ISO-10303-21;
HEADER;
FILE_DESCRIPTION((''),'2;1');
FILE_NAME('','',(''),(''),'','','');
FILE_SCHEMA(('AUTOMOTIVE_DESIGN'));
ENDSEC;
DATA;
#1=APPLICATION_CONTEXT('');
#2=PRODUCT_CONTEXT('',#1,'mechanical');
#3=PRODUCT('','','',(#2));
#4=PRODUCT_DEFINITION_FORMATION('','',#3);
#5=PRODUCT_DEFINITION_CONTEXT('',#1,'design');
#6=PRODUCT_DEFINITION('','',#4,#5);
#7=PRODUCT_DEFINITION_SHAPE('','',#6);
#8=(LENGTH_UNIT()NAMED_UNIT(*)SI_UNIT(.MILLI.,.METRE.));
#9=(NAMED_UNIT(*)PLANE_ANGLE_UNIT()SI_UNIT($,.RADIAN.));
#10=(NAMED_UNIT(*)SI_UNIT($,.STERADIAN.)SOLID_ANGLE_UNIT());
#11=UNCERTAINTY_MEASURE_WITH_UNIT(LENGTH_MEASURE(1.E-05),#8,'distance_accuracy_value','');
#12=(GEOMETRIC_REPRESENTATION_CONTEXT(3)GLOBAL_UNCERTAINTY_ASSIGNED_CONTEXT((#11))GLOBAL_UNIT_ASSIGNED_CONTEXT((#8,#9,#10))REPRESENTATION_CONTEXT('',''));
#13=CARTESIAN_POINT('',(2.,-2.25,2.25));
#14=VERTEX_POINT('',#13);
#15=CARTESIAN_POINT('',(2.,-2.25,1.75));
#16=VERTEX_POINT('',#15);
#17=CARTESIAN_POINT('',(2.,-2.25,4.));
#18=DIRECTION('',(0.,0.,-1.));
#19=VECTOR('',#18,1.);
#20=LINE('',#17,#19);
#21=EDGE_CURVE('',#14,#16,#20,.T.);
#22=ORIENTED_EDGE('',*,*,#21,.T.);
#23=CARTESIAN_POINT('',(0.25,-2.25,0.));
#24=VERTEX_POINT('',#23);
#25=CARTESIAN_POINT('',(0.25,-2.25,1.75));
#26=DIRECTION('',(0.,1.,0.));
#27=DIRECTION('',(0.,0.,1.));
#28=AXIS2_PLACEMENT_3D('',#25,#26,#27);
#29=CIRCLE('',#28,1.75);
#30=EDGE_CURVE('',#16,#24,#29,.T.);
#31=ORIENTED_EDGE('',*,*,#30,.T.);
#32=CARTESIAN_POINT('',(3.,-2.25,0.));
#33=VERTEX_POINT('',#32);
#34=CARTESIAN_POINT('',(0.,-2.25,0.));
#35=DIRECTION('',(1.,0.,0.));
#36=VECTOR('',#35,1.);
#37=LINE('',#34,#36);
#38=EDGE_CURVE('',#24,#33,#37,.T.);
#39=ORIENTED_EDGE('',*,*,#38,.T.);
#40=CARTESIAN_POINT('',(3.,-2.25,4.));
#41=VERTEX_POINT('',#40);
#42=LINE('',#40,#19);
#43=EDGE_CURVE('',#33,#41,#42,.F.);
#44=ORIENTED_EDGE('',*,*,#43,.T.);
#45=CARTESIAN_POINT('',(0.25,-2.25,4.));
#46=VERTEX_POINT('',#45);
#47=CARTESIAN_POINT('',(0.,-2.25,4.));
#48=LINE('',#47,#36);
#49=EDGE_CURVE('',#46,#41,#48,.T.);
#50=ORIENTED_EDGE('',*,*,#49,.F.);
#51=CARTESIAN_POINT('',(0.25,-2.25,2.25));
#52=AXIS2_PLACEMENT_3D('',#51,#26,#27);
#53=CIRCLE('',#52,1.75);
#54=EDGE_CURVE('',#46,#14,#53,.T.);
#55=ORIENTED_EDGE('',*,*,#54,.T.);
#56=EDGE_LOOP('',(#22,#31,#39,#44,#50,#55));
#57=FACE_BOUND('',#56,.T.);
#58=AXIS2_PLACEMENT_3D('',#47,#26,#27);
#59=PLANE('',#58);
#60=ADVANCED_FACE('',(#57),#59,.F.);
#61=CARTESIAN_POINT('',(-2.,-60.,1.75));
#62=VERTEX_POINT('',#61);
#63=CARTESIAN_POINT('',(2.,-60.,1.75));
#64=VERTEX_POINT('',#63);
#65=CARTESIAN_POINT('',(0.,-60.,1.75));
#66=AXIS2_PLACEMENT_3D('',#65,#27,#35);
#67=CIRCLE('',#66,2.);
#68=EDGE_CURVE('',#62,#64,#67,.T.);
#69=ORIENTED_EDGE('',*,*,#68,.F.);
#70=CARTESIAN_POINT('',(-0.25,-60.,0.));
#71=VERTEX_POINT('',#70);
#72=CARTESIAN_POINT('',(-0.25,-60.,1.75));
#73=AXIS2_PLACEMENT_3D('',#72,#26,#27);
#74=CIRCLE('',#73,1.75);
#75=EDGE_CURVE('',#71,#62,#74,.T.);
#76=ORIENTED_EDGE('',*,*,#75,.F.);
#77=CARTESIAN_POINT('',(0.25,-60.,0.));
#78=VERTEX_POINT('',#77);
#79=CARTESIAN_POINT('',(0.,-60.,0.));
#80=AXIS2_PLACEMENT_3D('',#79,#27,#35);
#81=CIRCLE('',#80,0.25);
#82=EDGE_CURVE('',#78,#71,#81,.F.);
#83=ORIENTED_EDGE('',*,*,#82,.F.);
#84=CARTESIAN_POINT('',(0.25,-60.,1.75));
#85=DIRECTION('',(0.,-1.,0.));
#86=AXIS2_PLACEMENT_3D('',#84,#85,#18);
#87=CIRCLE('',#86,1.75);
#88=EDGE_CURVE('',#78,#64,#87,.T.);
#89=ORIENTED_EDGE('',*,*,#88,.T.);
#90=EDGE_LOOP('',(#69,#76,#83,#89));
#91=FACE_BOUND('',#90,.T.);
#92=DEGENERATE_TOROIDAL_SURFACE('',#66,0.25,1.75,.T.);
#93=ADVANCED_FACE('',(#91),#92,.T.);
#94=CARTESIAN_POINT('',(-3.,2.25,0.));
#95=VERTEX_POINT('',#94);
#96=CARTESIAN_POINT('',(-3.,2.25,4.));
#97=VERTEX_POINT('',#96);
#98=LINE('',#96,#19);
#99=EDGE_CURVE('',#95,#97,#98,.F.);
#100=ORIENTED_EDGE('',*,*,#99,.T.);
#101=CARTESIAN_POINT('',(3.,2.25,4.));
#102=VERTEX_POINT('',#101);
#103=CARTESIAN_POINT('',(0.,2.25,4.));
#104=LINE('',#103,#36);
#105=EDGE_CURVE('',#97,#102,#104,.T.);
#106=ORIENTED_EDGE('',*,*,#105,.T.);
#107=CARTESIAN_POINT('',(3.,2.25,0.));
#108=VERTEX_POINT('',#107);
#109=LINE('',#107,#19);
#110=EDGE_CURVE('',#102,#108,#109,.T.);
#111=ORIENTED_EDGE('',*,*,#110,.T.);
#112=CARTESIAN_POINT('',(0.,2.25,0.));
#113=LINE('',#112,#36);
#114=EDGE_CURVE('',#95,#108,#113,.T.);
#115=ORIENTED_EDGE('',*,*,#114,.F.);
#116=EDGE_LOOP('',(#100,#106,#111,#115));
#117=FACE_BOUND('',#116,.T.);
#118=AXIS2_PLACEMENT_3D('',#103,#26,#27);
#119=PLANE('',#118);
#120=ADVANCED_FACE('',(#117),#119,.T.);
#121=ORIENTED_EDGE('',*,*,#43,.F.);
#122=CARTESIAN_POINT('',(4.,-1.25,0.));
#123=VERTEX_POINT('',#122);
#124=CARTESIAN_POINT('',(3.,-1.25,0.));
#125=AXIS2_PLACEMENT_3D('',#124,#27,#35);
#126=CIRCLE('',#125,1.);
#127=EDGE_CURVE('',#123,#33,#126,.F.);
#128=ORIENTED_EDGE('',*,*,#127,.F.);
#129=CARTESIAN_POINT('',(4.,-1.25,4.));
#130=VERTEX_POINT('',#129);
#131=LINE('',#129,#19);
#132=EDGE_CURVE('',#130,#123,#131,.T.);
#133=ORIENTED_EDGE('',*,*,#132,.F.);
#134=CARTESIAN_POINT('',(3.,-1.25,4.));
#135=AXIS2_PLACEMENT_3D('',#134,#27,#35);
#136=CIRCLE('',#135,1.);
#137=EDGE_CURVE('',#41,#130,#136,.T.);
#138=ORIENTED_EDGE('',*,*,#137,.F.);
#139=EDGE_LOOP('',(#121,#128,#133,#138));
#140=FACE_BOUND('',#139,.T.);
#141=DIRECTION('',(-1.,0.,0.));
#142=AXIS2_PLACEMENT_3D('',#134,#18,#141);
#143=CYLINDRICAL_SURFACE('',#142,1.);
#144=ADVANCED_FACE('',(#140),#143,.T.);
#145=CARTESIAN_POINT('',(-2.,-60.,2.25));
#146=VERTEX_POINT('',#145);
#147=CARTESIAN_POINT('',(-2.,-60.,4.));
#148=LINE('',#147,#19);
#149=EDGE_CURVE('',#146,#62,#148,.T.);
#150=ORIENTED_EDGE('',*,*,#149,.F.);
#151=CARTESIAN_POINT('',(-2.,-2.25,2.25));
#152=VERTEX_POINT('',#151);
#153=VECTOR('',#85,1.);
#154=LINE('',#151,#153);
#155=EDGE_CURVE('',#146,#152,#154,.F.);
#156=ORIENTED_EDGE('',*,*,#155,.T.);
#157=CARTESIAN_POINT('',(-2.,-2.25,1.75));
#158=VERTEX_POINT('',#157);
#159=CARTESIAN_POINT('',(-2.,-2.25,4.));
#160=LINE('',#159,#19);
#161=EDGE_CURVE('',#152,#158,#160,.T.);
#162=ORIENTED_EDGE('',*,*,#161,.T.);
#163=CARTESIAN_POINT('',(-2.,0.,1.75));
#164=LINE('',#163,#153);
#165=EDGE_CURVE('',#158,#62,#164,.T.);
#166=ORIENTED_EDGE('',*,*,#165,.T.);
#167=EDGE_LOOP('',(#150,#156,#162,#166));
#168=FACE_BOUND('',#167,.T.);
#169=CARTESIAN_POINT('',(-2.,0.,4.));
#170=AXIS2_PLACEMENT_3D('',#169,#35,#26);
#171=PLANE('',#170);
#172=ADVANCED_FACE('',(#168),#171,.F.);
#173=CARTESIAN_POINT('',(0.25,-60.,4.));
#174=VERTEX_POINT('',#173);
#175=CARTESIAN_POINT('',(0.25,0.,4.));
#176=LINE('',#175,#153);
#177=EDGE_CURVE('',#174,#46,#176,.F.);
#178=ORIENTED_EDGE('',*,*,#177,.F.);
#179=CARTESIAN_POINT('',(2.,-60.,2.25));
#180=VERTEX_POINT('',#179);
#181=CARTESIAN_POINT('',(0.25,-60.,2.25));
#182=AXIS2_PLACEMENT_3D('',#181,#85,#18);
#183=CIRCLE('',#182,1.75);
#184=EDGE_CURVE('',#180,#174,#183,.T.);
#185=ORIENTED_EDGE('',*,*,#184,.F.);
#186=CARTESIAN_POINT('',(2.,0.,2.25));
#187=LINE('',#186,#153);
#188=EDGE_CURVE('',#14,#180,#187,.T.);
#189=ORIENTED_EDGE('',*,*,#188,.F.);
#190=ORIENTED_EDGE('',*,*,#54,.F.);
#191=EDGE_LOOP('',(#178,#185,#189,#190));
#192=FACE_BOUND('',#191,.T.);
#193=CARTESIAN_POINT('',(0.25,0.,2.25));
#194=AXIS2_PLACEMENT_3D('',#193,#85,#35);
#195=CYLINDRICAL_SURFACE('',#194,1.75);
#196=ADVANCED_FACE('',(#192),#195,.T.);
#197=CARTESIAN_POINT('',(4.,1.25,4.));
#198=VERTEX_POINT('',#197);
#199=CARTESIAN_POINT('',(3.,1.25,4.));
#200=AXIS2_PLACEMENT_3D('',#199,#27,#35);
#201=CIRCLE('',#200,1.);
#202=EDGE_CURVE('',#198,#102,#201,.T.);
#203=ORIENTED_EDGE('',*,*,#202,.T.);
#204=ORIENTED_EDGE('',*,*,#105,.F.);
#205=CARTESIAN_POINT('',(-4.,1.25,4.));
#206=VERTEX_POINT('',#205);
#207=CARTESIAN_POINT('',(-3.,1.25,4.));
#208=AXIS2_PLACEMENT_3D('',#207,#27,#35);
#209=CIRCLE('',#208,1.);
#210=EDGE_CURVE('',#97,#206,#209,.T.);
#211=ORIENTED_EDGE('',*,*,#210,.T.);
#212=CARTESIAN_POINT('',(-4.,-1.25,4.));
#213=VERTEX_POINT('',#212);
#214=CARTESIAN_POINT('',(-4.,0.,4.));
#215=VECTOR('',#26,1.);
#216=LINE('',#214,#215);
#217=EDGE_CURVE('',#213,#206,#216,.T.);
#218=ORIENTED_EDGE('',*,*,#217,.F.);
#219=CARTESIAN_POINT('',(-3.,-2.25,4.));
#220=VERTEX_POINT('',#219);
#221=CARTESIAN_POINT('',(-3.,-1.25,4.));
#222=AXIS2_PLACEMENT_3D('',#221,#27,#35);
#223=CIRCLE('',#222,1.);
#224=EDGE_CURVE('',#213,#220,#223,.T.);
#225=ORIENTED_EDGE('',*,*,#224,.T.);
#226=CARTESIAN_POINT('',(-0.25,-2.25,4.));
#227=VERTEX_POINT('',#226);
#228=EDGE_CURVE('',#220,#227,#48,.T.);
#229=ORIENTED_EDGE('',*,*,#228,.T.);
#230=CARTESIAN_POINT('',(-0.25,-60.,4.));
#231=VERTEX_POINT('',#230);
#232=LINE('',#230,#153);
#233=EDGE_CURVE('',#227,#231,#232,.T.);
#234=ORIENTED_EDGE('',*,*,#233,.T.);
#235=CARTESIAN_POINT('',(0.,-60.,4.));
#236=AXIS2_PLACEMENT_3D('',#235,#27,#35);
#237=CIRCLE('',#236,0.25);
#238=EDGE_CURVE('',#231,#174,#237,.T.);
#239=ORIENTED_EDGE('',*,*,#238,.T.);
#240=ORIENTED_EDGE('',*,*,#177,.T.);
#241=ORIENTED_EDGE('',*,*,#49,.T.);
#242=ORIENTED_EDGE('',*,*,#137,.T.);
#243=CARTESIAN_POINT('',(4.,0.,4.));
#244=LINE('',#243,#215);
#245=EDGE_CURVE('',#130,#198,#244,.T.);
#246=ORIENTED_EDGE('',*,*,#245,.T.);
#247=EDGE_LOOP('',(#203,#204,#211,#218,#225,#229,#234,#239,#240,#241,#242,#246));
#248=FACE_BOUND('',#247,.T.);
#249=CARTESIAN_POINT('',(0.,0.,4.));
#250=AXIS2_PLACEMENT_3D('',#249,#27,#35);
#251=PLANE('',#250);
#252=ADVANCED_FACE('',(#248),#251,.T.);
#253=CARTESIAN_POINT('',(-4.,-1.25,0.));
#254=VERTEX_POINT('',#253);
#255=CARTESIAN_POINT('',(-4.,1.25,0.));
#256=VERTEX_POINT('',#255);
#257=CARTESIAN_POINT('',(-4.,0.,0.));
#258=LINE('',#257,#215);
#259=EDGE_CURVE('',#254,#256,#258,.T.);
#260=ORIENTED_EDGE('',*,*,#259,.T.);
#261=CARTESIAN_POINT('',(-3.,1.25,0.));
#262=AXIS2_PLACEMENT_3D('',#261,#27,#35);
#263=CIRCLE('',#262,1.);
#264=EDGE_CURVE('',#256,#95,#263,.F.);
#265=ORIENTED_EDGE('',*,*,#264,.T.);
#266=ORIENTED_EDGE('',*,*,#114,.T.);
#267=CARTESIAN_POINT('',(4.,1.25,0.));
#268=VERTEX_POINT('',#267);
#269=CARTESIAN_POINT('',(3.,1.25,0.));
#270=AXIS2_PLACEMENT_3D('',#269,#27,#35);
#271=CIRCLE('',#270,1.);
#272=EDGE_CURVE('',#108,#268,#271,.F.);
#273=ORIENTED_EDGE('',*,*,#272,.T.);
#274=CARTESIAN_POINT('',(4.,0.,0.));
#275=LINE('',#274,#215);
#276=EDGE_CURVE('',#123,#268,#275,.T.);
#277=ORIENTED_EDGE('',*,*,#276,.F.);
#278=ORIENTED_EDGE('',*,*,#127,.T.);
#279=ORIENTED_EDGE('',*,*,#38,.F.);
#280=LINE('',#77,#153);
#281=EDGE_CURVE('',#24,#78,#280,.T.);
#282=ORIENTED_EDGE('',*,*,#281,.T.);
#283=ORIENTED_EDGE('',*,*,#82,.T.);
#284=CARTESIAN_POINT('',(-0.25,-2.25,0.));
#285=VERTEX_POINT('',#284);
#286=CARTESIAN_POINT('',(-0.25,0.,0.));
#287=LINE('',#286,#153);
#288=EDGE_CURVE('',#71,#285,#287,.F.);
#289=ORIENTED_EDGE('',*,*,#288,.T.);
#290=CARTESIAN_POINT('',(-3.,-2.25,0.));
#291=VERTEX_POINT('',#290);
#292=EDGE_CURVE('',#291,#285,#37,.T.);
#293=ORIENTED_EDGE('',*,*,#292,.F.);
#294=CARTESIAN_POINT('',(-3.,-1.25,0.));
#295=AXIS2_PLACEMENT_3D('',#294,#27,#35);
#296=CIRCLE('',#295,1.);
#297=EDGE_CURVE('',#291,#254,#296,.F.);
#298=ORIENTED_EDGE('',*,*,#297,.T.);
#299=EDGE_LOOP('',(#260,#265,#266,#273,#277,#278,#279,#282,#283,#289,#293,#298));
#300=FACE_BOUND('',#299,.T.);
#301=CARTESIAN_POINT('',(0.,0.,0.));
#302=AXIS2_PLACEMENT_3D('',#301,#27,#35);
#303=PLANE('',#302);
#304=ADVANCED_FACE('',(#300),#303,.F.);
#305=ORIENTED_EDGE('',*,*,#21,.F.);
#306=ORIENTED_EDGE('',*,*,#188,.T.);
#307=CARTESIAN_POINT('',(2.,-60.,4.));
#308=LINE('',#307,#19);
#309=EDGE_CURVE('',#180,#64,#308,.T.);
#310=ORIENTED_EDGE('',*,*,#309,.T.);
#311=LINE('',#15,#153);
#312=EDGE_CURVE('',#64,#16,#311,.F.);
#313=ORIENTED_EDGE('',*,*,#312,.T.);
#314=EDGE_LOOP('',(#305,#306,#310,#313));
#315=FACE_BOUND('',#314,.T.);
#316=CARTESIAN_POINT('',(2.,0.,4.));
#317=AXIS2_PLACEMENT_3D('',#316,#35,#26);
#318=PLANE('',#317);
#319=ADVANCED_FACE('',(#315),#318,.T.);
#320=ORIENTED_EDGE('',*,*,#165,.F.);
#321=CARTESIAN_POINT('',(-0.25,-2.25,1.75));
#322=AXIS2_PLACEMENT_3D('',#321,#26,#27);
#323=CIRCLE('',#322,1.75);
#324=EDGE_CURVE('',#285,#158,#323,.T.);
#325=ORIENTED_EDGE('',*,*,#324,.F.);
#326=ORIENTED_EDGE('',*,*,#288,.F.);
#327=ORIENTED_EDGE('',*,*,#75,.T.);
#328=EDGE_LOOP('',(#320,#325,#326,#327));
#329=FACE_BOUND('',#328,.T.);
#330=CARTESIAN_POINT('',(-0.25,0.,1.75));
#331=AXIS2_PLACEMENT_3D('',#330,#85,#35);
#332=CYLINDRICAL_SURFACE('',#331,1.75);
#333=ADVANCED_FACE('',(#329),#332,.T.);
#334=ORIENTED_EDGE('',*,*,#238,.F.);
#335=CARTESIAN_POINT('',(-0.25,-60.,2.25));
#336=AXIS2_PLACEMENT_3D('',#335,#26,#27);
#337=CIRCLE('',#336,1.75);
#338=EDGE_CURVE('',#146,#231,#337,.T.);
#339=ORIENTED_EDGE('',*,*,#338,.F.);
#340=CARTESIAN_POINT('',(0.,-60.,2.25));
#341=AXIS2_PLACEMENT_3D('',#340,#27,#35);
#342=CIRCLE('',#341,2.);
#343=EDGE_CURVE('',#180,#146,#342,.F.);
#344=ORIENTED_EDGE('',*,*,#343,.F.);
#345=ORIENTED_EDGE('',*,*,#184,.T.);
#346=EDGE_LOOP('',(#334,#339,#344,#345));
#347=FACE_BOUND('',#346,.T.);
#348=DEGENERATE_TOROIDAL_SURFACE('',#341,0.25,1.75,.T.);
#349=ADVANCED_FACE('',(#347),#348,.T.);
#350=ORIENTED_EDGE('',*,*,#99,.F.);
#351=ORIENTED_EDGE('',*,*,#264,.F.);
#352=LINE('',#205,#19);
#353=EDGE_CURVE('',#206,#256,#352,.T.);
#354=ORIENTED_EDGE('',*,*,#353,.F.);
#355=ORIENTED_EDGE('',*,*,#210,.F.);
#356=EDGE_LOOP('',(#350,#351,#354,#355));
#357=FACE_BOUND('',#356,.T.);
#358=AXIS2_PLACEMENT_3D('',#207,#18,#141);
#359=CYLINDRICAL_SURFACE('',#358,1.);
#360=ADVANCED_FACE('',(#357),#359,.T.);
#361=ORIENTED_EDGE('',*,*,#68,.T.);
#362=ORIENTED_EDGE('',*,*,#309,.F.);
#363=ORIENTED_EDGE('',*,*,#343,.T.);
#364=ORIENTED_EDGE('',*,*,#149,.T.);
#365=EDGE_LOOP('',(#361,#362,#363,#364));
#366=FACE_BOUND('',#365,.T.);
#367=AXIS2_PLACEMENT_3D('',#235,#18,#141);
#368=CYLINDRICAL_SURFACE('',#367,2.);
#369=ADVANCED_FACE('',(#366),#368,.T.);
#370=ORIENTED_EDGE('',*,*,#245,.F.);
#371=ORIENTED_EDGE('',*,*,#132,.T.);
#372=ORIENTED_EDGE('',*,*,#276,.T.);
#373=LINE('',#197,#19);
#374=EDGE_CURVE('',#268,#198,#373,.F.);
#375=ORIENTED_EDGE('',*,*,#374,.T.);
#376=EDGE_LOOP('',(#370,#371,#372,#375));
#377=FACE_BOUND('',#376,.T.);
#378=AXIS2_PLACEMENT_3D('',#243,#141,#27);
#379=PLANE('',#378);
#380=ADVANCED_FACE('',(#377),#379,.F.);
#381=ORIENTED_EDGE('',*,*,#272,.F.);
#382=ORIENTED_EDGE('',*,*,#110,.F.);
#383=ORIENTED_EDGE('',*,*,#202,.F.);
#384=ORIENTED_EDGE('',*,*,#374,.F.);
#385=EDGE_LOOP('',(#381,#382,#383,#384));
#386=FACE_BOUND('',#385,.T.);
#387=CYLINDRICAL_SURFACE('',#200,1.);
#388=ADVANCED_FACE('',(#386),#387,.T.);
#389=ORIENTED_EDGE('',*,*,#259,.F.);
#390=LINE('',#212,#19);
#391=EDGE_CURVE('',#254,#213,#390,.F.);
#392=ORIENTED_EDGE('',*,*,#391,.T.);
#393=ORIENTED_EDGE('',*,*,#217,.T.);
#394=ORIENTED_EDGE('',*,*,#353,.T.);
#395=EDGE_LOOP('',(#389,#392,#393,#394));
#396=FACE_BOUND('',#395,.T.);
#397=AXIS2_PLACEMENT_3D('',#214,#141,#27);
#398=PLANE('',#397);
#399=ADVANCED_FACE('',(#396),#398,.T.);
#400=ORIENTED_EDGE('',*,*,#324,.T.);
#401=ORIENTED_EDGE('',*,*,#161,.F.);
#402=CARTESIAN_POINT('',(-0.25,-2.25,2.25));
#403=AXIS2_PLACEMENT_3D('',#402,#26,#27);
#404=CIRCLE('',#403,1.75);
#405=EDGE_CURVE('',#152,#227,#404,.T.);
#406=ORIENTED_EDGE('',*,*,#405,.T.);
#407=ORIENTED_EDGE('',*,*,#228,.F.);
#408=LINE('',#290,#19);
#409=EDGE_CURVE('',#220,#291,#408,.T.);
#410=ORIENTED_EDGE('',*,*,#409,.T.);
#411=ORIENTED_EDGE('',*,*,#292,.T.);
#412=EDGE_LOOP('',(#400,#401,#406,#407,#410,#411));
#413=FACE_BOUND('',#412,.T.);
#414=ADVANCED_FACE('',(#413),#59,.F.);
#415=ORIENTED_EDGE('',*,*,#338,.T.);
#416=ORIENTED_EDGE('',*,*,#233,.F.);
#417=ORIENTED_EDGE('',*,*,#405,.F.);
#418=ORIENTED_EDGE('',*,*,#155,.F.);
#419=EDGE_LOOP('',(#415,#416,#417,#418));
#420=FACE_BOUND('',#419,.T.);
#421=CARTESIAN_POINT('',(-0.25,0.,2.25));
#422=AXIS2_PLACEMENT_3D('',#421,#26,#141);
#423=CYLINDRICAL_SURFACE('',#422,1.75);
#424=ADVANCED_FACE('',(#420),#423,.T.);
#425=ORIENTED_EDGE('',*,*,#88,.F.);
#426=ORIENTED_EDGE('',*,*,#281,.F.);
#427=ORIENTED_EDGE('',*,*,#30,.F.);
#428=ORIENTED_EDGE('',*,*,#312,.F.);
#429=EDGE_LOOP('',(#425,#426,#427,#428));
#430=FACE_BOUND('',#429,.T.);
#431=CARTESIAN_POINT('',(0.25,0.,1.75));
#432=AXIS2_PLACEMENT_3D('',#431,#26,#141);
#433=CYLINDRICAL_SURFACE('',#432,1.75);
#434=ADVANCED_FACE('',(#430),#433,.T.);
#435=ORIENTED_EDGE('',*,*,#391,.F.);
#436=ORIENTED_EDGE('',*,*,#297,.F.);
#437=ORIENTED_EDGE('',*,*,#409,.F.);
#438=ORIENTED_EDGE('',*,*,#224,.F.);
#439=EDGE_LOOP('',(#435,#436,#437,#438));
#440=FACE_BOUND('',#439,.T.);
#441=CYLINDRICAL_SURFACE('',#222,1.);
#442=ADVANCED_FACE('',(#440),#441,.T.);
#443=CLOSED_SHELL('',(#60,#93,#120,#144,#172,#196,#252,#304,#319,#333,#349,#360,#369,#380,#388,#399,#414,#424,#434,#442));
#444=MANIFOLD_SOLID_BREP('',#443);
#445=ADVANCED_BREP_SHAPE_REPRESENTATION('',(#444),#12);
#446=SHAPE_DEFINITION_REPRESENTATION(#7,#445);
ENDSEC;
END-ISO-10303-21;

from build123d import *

# Parameters (mm, degrees)
BOSS_EXTRUDE1_DEPTH = 4
FILLET1_R           = 1.75
FILLET2_R           = 1


with BuildPart() as part:
    # Sketch1 → Boss-Extrude1 (new body)
    with BuildSketch(Plane.XY):
        with BuildLine():
            Line((2, -2.25), (-2, -2.25))
            Line((-2, -2.25), (-2, -60))
            ThreePointArc((-2, -60), (0, -62), (2, -60))
            Line((2, -60), (2, -2.25))
        make_face()
        with BuildLine():
            Line((-2, 0), (-2, -2.25))
            Line((-2, -2.25), (2, -2.25))
            Line((2, -2.25), (2, 0))
            ThreePointArc((2, 0), (0, 2), (-2, 0))
        make_face()
        with BuildLine():
            Line((-4, 2.25), (-4, -2.25))
            Line((-4, -2.25), (-2, -2.25))
            Line((-2, -2.25), (-2, 0))
            ThreePointArc((-2, 0), (0, 2), (2, 0))
            Line((2, 0), (2, -2.25))
            Line((2, -2.25), (4, -2.25))
            Line((4, -2.25), (4, 2.25))
            Line((4, 2.25), (-4, 2.25))
        make_face()
    extrude(amount=BOSS_EXTRUDE1_DEPTH)

    # Fillet1
    fillet1_edges = [part.edges().sort_by_distance(p)[0] for p in [
        (2, -31.125, 0),
        (0, -62, 0),
        (-2, -31.125, 0),
        (0, -62, 4),
        (2, -31.125, 4),
        (-2, -31.125, 4),
    ]]
    fillet(fillet1_edges, radius=FILLET1_R)

    # Fillet2
    fillet2_edges = [part.edges().sort_by_distance(p)[0] for p in [
        (-4, -2.25, 2),
        (-4, 2.25, 2),
        (4, 2.25, 2),
        (4, -2.25, 2),
    ]]
    fillet(fillet2_edges, radius=FILLET2_R)


solid = part.part
